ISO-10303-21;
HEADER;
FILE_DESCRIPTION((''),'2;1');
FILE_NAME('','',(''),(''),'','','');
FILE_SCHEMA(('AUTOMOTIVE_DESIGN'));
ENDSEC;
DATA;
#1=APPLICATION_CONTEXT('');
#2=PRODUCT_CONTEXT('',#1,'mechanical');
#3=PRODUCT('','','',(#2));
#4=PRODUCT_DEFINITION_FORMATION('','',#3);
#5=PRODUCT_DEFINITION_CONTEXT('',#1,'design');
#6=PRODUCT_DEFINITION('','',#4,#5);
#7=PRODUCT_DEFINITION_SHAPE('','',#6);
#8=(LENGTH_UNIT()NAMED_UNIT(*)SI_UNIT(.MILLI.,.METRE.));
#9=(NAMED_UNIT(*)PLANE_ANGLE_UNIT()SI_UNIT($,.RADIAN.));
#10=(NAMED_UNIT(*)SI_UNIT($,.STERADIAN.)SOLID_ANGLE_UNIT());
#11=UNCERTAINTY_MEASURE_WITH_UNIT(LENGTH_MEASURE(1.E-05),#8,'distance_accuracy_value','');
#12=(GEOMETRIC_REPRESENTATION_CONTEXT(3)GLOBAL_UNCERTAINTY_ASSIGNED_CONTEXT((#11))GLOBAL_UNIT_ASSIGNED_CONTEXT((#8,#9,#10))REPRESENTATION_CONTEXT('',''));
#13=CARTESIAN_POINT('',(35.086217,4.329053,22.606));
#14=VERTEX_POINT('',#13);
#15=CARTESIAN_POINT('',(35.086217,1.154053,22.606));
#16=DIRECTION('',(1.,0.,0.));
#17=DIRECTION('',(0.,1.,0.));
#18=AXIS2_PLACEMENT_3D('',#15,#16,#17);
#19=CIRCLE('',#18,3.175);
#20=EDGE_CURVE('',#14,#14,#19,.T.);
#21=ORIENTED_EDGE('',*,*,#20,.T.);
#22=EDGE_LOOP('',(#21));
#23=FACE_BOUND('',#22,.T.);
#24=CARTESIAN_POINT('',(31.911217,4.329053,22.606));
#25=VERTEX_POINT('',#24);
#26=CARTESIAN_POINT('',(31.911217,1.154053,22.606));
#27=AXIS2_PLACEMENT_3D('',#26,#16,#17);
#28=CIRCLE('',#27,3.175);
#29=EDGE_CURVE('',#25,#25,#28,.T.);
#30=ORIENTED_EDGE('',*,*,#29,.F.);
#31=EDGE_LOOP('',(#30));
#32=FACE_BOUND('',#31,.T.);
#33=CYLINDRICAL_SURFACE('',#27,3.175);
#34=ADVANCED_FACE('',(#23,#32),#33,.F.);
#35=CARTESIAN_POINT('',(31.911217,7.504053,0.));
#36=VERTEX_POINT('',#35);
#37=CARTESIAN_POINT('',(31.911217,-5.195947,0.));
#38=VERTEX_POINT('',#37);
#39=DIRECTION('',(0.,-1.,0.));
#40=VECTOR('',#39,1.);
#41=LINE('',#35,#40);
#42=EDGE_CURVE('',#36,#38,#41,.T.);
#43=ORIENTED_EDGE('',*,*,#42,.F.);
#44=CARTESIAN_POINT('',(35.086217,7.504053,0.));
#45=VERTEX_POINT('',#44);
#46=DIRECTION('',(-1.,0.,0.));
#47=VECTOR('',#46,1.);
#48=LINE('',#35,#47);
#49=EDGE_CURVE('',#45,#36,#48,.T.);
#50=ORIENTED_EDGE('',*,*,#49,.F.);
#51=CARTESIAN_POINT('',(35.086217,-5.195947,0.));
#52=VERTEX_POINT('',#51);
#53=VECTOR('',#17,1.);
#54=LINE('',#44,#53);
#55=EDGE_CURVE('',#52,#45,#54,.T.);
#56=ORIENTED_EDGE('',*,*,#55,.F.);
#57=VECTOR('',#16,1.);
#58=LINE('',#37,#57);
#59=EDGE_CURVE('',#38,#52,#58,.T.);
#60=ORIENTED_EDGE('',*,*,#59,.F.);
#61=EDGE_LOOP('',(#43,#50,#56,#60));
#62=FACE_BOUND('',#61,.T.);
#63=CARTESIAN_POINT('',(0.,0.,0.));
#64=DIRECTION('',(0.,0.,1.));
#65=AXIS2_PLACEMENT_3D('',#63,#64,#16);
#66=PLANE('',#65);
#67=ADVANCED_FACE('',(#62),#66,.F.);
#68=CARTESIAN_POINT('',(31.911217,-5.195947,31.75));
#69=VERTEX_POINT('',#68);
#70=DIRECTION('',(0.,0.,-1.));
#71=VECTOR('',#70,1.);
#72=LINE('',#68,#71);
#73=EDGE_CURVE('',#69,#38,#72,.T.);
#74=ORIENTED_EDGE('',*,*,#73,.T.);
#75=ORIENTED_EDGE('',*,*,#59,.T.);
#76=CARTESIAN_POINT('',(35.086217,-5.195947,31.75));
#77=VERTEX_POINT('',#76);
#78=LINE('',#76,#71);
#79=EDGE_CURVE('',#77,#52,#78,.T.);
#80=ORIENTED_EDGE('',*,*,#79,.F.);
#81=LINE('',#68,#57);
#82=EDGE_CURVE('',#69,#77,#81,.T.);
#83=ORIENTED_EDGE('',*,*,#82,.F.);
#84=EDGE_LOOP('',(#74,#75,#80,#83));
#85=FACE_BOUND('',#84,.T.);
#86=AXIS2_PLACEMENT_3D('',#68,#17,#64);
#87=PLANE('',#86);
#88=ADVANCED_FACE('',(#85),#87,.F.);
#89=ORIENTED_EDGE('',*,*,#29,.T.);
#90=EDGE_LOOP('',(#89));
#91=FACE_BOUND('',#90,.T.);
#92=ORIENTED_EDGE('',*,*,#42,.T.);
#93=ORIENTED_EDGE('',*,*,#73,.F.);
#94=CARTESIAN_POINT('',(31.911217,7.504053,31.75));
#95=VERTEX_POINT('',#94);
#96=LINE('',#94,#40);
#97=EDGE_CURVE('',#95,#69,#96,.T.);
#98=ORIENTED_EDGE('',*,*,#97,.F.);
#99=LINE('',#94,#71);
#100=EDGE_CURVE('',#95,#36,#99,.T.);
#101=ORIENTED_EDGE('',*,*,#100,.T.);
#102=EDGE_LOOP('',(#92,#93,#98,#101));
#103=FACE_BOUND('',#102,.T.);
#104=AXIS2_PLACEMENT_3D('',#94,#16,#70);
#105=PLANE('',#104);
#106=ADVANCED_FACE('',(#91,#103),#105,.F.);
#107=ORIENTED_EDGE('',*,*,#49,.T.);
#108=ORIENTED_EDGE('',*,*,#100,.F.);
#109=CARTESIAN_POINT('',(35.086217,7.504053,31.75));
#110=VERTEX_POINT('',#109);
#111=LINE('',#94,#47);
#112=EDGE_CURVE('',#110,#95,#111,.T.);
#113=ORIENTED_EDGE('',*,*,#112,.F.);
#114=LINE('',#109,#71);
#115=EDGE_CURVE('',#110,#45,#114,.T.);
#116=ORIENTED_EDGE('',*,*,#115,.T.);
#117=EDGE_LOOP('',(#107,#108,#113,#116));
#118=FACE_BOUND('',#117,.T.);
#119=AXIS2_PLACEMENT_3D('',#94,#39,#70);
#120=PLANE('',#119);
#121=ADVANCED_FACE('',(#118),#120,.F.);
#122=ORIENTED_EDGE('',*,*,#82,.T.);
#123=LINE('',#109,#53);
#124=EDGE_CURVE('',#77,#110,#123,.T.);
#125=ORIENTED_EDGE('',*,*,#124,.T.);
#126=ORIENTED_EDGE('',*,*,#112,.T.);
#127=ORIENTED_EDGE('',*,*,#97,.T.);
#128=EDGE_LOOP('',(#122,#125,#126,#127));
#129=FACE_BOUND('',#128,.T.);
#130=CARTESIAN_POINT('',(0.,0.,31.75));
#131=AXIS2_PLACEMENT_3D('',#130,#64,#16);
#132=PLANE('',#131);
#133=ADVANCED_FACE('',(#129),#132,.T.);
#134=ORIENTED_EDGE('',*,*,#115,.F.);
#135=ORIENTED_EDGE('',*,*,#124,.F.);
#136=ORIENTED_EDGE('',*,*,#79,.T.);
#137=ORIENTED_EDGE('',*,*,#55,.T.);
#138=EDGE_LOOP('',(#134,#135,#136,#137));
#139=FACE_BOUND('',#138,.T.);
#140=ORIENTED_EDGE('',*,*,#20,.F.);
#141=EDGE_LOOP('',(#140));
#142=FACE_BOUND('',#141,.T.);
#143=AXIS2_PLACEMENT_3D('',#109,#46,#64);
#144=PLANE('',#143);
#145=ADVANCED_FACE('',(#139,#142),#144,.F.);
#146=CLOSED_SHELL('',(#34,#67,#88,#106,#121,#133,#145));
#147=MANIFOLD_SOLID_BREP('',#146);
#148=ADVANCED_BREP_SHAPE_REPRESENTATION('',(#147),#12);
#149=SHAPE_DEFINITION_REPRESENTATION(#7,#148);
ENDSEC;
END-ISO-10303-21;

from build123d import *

# Parameters (mm, degrees)
SKETCH1_W           = 3.175
SKETCH1_H           = 12.7
BOSS_EXTRUDE1_DEPTH = 31.75
SKETCH2_R           = 3.175
CUT_EXTRUDE1_DEPTH  = 4.175


with BuildPart() as part:
    # Sketch1 → Boss-Extrude1 (new body)
    with BuildSketch(Plane.XY):
        with Locations((33.498717245, 1.154052784)):
            Rectangle(SKETCH1_W, SKETCH1_H)
    extrude(amount=BOSS_EXTRUDE1_DEPTH)

    # Sketch2 → Cut-Extrude1 (cut, through all)
    with BuildSketch(Plane(origin=(35.086217245, 0, 0), x_dir=(0, 0, -1), z_dir=(1, 0, 0))):
        with Locations((-22.606, 1.154052784)):
            Circle(SKETCH2_R)
    extrude(amount=-CUT_EXTRUDE1_DEPTH, mode=Mode.SUBTRACT)


solid = part.part
